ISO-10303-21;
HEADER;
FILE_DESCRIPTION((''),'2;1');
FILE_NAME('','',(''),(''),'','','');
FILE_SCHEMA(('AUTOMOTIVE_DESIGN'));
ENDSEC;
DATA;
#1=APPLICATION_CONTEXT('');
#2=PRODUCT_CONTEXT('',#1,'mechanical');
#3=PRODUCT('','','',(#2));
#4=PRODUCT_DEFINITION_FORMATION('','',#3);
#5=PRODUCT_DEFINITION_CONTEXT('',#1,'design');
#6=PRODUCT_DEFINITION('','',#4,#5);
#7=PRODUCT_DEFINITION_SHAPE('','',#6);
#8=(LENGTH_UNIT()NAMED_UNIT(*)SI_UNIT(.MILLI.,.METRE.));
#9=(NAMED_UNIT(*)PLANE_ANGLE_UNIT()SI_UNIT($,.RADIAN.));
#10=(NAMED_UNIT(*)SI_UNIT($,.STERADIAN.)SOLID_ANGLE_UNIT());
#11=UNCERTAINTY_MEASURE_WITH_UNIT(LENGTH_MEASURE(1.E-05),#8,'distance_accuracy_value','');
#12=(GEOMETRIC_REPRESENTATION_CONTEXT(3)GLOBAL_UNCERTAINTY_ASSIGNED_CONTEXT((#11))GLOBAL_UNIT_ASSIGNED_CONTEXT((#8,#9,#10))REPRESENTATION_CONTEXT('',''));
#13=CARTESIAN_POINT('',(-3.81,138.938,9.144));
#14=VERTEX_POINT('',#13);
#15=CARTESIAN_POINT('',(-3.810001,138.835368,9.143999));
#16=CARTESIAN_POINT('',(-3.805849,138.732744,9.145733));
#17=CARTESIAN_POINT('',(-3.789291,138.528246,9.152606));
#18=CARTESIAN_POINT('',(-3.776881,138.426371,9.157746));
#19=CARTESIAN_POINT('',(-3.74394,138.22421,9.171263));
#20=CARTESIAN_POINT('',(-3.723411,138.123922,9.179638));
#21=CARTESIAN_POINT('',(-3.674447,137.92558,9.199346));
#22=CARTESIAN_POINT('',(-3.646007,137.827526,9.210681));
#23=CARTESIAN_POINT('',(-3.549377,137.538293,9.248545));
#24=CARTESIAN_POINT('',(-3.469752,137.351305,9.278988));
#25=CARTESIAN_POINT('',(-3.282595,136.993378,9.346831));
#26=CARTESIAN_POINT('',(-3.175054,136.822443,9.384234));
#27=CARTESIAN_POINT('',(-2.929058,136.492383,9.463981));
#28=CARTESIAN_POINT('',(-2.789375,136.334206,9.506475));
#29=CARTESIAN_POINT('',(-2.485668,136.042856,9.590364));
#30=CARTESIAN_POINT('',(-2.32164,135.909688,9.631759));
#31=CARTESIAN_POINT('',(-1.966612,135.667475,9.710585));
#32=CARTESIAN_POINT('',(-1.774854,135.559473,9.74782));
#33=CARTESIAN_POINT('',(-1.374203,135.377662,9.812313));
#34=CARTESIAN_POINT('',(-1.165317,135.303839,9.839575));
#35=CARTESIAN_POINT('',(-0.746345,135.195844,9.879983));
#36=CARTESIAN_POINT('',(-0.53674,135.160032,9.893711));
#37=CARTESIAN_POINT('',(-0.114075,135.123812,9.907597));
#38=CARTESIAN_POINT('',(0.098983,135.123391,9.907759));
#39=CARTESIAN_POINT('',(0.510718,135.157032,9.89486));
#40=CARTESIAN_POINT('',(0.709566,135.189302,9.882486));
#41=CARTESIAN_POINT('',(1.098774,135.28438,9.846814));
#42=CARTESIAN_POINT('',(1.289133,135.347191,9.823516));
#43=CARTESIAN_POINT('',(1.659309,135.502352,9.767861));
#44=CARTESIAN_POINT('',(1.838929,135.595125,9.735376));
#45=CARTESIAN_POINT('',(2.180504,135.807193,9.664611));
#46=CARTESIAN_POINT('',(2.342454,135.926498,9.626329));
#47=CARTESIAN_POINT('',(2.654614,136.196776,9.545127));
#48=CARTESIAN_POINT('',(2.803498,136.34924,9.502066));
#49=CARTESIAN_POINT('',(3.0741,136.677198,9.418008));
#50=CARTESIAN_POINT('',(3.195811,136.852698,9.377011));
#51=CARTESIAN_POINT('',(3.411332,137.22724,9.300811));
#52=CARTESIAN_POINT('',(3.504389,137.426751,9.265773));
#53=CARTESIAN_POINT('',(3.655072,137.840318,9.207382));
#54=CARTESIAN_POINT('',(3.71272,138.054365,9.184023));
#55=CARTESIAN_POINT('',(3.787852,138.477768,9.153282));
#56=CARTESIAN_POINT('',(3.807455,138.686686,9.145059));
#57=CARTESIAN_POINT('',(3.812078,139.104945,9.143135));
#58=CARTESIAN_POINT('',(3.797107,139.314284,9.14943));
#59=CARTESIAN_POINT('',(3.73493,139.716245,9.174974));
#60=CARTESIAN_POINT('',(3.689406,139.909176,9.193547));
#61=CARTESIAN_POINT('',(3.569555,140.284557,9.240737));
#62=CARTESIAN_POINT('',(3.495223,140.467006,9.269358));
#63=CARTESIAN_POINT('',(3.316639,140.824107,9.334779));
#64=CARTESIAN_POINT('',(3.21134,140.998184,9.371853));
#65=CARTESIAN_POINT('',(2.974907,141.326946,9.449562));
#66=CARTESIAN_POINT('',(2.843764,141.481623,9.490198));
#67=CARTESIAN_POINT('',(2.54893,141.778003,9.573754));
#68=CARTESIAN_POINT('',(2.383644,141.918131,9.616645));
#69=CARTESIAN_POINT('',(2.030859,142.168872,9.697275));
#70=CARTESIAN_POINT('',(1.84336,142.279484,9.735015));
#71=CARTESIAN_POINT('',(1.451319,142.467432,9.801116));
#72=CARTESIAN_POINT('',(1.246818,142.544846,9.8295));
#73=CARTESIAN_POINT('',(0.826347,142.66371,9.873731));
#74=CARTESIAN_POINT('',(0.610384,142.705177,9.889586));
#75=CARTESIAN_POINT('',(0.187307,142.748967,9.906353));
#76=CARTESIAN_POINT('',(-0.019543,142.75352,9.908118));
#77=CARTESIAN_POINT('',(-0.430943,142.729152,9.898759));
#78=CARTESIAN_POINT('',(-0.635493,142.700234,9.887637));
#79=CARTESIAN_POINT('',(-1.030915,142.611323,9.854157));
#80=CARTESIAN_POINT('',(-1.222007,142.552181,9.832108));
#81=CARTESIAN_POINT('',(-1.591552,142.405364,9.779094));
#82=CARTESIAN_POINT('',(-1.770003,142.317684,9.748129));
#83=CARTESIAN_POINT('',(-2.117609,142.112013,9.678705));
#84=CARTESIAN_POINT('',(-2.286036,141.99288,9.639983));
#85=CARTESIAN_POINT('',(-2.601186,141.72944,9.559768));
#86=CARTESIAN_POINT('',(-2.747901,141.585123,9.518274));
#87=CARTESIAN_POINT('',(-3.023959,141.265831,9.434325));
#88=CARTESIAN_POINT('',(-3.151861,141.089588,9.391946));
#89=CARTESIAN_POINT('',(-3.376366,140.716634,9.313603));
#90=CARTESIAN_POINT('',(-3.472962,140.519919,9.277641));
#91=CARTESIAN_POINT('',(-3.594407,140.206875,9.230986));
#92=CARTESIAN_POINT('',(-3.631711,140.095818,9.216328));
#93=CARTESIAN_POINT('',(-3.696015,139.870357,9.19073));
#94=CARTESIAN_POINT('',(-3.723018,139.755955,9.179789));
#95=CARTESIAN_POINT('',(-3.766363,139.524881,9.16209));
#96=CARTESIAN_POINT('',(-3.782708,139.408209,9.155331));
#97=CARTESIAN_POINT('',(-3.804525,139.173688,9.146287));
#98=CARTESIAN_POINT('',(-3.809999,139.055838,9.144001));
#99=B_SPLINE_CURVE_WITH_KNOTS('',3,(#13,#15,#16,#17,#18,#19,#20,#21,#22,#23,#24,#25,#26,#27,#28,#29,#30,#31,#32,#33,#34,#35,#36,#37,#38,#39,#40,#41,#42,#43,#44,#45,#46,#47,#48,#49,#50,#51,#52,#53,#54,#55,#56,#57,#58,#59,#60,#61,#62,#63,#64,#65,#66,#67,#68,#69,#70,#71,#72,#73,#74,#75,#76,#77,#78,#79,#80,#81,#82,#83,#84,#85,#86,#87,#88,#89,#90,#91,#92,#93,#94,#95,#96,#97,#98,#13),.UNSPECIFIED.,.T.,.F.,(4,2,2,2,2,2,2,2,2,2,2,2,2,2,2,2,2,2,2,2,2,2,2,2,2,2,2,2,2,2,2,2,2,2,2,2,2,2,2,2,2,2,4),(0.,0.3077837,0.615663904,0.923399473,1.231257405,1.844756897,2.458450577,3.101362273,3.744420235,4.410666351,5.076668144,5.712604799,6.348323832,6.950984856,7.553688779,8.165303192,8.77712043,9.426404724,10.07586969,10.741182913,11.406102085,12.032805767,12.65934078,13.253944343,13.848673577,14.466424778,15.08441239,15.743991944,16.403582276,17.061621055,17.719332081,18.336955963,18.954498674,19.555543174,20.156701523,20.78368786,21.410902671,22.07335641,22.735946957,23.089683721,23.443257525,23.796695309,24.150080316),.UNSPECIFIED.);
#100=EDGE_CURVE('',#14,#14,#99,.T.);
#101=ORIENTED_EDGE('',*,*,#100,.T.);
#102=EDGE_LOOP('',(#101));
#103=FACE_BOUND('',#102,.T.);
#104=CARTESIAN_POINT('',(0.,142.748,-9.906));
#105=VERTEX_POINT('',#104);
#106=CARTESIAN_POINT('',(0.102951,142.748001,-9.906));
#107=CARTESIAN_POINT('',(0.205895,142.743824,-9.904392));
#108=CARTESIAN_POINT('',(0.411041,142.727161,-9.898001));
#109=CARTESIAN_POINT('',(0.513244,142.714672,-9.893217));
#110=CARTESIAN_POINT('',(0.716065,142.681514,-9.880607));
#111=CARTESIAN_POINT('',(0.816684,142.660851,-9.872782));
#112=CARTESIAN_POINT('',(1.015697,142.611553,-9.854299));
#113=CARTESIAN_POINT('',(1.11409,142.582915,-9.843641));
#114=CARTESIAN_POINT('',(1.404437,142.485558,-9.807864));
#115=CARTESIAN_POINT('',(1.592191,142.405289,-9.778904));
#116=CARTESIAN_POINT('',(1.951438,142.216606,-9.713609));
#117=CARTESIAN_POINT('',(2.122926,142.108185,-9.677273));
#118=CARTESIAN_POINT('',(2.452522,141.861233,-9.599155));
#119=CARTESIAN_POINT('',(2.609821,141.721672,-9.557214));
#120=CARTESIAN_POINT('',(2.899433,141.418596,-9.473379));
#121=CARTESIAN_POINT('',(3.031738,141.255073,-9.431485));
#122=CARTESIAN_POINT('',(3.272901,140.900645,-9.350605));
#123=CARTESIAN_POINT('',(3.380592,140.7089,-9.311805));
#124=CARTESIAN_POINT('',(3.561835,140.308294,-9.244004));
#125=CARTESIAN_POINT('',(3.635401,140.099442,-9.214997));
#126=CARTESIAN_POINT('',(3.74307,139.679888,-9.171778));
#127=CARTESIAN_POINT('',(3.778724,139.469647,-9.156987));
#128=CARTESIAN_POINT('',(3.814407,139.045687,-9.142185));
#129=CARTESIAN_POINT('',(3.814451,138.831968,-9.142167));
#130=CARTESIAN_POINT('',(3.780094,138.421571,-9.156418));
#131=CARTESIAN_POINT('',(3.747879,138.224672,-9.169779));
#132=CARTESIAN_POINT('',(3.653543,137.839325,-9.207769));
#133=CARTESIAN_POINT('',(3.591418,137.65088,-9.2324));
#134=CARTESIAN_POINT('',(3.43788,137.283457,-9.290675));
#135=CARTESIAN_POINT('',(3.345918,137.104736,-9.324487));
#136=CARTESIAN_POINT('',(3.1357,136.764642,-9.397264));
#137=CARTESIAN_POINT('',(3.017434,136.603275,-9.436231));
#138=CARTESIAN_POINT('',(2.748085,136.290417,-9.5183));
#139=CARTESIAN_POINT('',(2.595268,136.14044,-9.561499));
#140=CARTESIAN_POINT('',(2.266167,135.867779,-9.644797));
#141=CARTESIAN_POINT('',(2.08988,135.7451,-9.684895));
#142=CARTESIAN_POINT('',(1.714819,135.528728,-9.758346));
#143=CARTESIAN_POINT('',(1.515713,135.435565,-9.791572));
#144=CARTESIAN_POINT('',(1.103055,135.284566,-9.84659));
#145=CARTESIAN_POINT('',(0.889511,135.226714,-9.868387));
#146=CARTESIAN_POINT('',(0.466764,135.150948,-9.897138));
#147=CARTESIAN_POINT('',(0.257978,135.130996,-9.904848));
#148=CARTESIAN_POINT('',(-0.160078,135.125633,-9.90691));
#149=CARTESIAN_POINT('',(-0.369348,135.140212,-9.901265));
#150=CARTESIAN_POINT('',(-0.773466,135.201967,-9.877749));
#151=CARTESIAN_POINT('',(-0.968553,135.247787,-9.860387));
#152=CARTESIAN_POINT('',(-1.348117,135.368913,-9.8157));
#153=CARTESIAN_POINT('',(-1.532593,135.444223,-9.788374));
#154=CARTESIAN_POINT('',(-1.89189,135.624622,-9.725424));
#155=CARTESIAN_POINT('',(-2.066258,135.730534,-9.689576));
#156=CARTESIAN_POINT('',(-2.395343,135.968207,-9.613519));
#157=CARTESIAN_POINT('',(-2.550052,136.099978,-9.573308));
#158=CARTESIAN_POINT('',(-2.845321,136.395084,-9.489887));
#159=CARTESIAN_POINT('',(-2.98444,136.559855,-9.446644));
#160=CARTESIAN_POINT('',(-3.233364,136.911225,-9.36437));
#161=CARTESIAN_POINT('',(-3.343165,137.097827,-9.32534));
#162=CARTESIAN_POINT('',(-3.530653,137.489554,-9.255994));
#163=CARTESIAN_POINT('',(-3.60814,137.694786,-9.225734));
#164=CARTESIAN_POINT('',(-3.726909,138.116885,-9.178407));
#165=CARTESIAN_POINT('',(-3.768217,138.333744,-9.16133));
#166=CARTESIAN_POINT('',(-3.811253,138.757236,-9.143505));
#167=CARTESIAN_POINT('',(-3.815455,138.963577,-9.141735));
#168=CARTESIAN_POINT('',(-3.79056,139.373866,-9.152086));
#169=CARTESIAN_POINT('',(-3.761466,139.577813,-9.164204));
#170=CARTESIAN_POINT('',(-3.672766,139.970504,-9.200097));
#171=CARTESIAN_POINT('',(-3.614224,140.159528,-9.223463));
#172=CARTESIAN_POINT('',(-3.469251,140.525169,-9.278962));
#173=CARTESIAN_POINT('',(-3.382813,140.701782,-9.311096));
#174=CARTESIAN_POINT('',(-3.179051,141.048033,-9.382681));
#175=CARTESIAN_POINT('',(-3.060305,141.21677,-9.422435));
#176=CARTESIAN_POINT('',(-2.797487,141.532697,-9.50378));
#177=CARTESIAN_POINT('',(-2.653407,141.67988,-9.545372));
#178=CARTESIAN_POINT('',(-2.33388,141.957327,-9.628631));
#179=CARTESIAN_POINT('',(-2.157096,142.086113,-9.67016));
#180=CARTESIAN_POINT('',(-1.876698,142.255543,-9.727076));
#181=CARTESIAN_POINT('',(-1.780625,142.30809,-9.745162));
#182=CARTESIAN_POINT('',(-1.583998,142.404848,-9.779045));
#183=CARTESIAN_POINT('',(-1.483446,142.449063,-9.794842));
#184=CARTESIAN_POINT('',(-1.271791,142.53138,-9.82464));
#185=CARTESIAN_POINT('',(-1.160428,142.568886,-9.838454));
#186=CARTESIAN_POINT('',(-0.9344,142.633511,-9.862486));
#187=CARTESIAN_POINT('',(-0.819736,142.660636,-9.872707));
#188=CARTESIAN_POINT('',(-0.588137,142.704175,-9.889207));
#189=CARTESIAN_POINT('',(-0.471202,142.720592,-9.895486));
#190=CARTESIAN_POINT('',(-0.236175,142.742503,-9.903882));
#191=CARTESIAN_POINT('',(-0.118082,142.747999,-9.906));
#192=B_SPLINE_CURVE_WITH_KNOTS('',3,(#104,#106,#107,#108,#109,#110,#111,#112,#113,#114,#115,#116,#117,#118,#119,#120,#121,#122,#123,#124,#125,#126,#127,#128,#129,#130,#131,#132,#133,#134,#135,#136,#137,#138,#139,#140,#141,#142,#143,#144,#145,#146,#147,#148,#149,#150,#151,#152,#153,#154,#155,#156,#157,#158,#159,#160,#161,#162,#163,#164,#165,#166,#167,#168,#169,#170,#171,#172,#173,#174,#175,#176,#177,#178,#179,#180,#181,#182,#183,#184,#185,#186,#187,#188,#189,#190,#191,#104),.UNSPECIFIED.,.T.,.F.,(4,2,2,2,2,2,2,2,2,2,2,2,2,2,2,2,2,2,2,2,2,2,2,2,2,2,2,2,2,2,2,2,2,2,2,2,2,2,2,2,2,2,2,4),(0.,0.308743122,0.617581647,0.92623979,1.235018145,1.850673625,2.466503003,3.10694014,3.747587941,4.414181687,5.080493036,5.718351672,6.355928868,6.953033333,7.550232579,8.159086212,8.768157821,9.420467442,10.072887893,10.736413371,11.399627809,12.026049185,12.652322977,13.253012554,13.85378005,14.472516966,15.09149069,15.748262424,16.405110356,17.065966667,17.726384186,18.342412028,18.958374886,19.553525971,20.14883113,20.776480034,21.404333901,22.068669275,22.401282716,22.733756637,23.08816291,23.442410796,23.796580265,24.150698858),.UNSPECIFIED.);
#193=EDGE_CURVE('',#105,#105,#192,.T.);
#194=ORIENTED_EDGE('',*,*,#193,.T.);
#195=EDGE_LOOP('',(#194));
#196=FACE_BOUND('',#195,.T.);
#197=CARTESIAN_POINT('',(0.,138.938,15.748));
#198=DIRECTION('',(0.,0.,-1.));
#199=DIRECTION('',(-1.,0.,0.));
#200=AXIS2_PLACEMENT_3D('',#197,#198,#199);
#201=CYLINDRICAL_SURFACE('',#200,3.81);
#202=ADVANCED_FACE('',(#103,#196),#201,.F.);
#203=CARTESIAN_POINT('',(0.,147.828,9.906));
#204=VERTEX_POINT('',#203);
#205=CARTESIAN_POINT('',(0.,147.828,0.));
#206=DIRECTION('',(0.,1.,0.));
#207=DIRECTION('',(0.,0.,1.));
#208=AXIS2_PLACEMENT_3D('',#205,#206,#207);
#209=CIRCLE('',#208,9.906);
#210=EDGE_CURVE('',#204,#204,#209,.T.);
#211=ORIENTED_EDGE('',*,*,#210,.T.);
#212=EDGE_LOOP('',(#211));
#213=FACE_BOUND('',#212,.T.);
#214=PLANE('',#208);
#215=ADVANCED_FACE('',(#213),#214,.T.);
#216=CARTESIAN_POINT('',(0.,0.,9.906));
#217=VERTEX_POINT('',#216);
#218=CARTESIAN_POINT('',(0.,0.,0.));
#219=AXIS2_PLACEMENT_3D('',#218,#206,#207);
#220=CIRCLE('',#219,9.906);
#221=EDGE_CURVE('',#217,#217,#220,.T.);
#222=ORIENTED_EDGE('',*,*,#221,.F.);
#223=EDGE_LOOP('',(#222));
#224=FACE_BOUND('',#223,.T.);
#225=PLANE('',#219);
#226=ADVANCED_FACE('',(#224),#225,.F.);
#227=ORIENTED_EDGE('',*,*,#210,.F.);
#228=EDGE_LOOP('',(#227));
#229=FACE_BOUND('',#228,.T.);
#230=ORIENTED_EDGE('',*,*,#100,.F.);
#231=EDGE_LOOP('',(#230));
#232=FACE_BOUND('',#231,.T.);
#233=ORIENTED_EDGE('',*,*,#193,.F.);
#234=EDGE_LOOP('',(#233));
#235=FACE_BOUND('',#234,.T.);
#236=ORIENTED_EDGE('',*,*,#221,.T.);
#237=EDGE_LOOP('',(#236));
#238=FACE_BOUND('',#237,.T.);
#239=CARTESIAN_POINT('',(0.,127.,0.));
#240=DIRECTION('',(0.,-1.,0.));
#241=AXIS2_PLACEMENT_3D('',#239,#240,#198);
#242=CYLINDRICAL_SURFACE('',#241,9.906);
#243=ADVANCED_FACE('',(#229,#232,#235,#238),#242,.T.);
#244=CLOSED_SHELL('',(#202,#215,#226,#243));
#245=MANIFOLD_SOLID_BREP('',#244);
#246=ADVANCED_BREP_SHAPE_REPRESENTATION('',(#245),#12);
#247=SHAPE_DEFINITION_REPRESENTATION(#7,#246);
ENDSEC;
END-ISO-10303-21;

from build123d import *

# Parameters (mm, degrees)
SKETCH1_R               = 9.906
BOSS_EXTRUDE1_DEPTH     = 127
SKETCH2_R               = 9.906
BOSS_EXTRUDE2_DEPTH     = 20.828
CUT_EXTRUDE1_DEPTH      = 15.748
CUT_EXTRUDE1_DEPTH_BACK = 15.748
SKETCH3_R               = 3.81


with BuildPart() as part:
    # Sketch1 → Boss-Extrude1 (new body)
    with BuildSketch(Plane(origin=(0, 0, 0), x_dir=(1, 0, 0), z_dir=(0, 1, 0))):
        Circle(SKETCH1_R)
    extrude(amount=BOSS_EXTRUDE1_DEPTH)

    # Sketch2 → Boss-Extrude2 (add)
    with BuildSketch(Plane(origin=(0, 127, 0), x_dir=(1, 0, 0), z_dir=(0, 1, 0))):
        Circle(SKETCH2_R)
    extrude(amount=BOSS_EXTRUDE2_DEPTH)

    # Sketch3 → Cut-Extrude1 (cut, two sides: drawn at the far end of the back side and taken through both)
    with BuildSketch(Plane.XY.offset(-CUT_EXTRUDE1_DEPTH_BACK)):
        with Locations((0, 138.938)):
            Circle(SKETCH3_R)
    extrude(amount=CUT_EXTRUDE1_DEPTH + CUT_EXTRUDE1_DEPTH_BACK, mode=Mode.SUBTRACT)


solid = part.part
